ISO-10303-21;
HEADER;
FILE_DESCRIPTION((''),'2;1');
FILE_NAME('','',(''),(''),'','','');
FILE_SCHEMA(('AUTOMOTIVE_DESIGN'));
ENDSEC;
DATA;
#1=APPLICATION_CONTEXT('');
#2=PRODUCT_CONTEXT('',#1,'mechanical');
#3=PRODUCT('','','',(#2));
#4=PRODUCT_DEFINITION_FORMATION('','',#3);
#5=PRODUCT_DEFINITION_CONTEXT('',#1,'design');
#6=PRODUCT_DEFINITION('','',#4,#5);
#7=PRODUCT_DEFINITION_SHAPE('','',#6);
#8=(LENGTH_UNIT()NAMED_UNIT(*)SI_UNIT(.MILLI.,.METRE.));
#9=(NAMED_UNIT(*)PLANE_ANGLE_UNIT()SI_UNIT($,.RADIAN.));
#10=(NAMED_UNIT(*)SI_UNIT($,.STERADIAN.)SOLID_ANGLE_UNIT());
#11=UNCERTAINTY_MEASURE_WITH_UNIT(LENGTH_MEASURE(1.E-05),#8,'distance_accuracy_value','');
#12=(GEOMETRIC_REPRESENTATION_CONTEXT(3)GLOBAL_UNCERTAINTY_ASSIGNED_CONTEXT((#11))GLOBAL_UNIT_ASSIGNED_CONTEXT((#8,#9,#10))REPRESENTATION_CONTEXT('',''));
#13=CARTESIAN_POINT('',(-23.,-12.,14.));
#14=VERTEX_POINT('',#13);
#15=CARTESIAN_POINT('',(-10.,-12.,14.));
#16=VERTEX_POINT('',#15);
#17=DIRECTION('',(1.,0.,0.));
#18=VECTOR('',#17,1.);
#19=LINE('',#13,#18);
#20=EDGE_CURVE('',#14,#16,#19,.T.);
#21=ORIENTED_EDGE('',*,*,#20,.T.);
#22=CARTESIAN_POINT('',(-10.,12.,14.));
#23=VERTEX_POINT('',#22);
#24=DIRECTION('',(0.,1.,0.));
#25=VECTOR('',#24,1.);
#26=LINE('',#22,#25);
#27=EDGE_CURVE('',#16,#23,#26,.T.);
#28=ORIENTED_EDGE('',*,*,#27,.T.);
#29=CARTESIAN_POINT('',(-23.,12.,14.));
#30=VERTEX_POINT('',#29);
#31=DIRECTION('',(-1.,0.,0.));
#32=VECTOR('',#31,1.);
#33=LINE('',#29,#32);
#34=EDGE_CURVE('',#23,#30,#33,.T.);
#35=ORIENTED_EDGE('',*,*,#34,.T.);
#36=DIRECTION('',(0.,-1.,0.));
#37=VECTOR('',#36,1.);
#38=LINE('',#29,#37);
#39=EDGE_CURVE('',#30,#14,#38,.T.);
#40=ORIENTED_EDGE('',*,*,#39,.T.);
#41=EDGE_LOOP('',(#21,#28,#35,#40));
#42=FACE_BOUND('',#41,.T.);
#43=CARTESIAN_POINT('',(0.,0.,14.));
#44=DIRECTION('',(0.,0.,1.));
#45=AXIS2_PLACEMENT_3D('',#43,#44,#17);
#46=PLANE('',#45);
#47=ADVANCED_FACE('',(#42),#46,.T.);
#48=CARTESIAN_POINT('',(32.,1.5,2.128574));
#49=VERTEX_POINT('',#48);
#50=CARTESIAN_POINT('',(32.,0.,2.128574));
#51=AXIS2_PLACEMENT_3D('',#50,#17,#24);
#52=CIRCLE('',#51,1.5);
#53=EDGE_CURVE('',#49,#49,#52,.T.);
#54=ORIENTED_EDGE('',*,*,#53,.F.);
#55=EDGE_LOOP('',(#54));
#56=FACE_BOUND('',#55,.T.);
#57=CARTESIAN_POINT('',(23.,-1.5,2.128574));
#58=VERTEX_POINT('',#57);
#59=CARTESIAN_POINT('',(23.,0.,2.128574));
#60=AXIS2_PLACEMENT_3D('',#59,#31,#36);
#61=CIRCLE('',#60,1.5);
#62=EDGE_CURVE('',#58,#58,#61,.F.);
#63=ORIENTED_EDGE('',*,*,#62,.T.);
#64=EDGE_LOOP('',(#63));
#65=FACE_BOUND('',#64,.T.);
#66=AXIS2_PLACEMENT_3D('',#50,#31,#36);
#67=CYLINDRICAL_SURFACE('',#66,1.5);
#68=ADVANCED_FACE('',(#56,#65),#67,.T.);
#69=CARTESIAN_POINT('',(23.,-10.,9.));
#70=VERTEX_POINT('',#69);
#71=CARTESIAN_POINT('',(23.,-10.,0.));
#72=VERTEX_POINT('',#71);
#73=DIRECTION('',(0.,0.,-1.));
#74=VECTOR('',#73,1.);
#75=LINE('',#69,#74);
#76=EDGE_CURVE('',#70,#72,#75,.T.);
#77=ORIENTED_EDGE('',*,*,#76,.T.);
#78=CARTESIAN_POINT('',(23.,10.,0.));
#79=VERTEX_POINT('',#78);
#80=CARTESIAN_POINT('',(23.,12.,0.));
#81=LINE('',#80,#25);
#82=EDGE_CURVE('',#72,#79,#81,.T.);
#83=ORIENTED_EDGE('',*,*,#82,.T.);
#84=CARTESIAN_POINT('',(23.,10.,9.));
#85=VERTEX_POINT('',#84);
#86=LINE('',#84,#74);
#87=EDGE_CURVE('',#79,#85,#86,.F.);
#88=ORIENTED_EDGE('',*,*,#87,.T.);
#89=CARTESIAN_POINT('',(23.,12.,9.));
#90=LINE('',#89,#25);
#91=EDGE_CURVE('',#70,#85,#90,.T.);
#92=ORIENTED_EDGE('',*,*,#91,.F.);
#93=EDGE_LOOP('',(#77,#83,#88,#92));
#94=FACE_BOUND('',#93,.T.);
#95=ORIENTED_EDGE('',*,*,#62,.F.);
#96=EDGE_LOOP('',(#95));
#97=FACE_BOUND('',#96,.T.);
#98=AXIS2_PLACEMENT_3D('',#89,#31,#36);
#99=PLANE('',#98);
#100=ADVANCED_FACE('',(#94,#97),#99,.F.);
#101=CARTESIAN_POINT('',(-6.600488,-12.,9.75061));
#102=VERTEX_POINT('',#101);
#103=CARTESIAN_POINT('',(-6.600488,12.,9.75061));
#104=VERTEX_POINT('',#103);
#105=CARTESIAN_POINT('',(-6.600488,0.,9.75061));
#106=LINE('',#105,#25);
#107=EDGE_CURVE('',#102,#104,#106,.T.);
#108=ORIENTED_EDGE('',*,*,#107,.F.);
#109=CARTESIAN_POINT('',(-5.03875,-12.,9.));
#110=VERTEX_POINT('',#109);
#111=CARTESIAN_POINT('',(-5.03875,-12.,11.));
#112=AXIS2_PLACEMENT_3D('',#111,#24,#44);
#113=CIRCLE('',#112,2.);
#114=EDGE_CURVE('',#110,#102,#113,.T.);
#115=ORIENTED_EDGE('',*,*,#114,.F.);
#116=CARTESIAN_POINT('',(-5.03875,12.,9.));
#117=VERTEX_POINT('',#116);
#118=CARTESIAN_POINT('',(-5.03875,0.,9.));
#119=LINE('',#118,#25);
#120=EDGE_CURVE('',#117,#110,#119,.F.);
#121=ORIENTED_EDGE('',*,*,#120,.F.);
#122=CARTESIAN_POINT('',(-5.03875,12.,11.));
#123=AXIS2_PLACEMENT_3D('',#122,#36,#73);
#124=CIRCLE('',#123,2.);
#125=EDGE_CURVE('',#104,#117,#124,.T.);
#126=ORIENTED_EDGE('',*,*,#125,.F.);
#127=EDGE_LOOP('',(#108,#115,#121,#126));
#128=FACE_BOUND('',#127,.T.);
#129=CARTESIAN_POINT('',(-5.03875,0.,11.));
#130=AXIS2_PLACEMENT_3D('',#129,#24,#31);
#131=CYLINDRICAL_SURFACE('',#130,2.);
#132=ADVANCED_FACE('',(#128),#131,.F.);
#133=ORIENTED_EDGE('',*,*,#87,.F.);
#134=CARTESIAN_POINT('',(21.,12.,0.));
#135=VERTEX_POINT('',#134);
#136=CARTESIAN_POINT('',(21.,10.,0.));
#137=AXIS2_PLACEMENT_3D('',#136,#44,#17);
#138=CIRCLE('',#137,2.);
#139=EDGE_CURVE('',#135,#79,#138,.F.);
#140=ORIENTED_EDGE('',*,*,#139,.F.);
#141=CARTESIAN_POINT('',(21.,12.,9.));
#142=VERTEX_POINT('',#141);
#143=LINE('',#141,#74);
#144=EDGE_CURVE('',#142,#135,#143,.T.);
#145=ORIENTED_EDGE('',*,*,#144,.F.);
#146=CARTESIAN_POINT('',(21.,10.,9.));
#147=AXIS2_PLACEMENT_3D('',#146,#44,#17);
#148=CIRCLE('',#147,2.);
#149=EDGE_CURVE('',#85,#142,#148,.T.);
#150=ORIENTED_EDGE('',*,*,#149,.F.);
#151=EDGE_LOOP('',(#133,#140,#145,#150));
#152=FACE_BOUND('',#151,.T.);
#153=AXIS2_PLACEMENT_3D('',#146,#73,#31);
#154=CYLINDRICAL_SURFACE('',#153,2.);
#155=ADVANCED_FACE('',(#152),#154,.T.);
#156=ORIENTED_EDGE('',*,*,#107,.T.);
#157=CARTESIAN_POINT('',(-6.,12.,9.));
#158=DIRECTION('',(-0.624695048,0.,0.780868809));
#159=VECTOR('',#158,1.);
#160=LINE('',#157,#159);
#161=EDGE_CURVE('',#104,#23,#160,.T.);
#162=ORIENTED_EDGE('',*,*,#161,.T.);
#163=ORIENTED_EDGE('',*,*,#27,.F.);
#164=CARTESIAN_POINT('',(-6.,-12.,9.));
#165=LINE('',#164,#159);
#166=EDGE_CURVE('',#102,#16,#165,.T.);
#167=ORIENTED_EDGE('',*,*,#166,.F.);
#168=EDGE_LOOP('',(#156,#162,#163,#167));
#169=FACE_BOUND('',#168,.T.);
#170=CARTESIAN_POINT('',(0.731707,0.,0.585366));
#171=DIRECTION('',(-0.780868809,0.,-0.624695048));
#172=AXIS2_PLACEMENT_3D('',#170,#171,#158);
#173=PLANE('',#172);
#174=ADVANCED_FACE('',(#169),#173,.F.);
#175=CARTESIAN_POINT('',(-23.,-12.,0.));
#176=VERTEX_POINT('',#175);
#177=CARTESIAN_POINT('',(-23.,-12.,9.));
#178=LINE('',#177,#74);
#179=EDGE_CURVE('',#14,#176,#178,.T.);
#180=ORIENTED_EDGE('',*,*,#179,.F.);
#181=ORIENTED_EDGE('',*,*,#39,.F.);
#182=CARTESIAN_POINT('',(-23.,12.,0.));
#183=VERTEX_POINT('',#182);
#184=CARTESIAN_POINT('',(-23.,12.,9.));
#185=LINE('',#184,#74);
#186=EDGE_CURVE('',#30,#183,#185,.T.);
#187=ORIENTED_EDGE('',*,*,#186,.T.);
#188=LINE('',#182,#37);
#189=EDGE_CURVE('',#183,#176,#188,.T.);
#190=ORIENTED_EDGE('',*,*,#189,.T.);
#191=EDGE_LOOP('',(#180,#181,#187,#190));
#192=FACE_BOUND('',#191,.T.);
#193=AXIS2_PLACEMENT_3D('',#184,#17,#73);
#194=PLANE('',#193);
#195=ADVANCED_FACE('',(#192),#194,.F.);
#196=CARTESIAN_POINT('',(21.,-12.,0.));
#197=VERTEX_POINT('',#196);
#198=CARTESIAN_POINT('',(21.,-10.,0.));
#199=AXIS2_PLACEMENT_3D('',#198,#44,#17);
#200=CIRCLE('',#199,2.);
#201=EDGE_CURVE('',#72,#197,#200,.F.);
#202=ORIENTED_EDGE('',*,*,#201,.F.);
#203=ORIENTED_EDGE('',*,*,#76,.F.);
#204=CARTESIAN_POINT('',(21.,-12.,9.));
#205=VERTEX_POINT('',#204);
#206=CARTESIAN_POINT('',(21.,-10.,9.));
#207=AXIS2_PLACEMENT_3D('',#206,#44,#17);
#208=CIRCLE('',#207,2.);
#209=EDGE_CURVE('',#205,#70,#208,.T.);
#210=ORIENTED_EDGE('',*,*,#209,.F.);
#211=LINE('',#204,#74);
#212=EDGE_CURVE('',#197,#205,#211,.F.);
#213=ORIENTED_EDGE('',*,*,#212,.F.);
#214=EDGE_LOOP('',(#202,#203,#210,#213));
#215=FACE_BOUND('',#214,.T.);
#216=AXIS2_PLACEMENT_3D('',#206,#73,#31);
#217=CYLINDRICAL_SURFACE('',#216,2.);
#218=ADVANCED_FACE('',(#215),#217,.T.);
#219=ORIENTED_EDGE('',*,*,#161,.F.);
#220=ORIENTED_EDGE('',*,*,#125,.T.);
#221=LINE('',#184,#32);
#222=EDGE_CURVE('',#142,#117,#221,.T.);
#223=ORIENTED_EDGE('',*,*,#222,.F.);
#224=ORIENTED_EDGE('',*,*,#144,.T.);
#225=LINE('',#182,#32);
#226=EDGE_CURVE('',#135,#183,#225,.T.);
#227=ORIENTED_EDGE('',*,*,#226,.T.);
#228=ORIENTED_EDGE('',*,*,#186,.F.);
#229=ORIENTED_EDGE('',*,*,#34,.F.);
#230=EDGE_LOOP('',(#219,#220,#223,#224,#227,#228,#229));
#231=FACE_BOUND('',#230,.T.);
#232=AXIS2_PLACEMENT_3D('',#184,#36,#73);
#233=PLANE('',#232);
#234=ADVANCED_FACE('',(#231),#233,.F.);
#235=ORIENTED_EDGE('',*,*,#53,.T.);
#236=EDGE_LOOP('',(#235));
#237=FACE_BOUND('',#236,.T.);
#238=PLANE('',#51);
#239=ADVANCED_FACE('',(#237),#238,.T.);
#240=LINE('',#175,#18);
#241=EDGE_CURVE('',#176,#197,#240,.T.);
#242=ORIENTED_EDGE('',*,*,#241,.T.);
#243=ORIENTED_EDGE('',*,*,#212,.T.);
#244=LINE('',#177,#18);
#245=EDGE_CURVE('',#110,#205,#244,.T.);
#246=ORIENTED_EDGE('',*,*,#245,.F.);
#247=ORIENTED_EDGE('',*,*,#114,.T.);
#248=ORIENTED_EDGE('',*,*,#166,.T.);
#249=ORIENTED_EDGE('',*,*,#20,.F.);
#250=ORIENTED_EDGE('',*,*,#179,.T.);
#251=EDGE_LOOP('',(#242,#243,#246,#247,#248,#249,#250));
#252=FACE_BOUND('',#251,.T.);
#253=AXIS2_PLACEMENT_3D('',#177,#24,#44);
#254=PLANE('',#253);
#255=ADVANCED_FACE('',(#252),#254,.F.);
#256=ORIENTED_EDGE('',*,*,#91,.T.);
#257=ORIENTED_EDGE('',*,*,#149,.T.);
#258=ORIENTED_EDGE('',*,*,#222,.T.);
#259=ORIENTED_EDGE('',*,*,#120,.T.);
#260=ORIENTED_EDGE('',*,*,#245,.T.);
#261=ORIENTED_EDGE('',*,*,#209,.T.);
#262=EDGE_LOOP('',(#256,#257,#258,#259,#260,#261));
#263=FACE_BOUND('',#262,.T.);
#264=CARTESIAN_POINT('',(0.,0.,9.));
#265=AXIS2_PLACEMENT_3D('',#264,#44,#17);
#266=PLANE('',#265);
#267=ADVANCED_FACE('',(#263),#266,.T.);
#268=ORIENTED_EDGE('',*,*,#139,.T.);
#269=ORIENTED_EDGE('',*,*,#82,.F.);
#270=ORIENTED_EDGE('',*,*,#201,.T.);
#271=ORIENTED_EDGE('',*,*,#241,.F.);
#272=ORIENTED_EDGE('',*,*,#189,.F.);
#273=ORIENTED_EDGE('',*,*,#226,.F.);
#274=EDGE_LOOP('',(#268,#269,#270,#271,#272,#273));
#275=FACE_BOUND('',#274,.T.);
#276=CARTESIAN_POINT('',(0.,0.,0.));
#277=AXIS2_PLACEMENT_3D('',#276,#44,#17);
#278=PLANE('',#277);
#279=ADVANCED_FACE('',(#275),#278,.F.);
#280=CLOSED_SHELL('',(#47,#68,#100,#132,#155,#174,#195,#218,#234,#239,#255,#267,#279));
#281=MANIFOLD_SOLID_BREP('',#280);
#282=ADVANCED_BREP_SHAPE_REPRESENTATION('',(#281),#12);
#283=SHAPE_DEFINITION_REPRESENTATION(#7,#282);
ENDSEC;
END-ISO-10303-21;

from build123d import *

# Parameters (mm, degrees)
SKETCH_1_W      = 46
SKETCH_1_H      = 24
EXTRUDE_1_DEPTH = 9
SKETCH_4_R      = 1.5
EXTRUDE_2_DEPTH = 9
FILLET_1_R      = 2


with BuildPart() as part:
    # Эскиз1 → Бобышка-Вытянуть1 (new body)
    with BuildSketch(Plane.XY):
        Rectangle(SKETCH_1_W, SKETCH_1_H)
    extrude(amount=EXTRUDE_1_DEPTH)

    # Эскиз2 → По сечениям1 section 0
    with BuildSketch(Plane.XY.offset(9)):
        with BuildLine():
            Line((-23, 12), (-6, 12))
            Line((-6, 12), (-6, -12))
            Line((-6, -12), (-23, -12))
            Line((-23, -12), (-23, 12))
        make_face()
    # Эскиз3 → По сечениям1 section 1
    with BuildSketch(Plane.XY.offset(14)):
        with BuildLine():
            Line((-23, 12), (-10, 12))
            Line((-10, 12), (-10, -12))
            Line((-10, -12), (-23, -12))
            Line((-23, -12), (-23, 12))
        make_face()
    loft()

    # Эскиз4 → Бобышка-Вытянуть2 (add)
    with BuildSketch(Plane(origin=(23, 0, 0), x_dir=(0, 0, -1), z_dir=(1, 0, 0))):
        with Locations(Location((-2.128573829, 0, 0), (0, 0, 270))):
            Circle(SKETCH_4_R)
    extrude(amount=EXTRUDE_2_DEPTH)

    # Скругление1
    fillet_1_edges = [part.edges().sort_by_distance(p)[0] for p in [
        (-6, 0, 9),
        (23, -12, 4.5),
        (23, 12, 4.5),
    ]]
    fillet(fillet_1_edges, radius=FILLET_1_R)


solid = part.part
